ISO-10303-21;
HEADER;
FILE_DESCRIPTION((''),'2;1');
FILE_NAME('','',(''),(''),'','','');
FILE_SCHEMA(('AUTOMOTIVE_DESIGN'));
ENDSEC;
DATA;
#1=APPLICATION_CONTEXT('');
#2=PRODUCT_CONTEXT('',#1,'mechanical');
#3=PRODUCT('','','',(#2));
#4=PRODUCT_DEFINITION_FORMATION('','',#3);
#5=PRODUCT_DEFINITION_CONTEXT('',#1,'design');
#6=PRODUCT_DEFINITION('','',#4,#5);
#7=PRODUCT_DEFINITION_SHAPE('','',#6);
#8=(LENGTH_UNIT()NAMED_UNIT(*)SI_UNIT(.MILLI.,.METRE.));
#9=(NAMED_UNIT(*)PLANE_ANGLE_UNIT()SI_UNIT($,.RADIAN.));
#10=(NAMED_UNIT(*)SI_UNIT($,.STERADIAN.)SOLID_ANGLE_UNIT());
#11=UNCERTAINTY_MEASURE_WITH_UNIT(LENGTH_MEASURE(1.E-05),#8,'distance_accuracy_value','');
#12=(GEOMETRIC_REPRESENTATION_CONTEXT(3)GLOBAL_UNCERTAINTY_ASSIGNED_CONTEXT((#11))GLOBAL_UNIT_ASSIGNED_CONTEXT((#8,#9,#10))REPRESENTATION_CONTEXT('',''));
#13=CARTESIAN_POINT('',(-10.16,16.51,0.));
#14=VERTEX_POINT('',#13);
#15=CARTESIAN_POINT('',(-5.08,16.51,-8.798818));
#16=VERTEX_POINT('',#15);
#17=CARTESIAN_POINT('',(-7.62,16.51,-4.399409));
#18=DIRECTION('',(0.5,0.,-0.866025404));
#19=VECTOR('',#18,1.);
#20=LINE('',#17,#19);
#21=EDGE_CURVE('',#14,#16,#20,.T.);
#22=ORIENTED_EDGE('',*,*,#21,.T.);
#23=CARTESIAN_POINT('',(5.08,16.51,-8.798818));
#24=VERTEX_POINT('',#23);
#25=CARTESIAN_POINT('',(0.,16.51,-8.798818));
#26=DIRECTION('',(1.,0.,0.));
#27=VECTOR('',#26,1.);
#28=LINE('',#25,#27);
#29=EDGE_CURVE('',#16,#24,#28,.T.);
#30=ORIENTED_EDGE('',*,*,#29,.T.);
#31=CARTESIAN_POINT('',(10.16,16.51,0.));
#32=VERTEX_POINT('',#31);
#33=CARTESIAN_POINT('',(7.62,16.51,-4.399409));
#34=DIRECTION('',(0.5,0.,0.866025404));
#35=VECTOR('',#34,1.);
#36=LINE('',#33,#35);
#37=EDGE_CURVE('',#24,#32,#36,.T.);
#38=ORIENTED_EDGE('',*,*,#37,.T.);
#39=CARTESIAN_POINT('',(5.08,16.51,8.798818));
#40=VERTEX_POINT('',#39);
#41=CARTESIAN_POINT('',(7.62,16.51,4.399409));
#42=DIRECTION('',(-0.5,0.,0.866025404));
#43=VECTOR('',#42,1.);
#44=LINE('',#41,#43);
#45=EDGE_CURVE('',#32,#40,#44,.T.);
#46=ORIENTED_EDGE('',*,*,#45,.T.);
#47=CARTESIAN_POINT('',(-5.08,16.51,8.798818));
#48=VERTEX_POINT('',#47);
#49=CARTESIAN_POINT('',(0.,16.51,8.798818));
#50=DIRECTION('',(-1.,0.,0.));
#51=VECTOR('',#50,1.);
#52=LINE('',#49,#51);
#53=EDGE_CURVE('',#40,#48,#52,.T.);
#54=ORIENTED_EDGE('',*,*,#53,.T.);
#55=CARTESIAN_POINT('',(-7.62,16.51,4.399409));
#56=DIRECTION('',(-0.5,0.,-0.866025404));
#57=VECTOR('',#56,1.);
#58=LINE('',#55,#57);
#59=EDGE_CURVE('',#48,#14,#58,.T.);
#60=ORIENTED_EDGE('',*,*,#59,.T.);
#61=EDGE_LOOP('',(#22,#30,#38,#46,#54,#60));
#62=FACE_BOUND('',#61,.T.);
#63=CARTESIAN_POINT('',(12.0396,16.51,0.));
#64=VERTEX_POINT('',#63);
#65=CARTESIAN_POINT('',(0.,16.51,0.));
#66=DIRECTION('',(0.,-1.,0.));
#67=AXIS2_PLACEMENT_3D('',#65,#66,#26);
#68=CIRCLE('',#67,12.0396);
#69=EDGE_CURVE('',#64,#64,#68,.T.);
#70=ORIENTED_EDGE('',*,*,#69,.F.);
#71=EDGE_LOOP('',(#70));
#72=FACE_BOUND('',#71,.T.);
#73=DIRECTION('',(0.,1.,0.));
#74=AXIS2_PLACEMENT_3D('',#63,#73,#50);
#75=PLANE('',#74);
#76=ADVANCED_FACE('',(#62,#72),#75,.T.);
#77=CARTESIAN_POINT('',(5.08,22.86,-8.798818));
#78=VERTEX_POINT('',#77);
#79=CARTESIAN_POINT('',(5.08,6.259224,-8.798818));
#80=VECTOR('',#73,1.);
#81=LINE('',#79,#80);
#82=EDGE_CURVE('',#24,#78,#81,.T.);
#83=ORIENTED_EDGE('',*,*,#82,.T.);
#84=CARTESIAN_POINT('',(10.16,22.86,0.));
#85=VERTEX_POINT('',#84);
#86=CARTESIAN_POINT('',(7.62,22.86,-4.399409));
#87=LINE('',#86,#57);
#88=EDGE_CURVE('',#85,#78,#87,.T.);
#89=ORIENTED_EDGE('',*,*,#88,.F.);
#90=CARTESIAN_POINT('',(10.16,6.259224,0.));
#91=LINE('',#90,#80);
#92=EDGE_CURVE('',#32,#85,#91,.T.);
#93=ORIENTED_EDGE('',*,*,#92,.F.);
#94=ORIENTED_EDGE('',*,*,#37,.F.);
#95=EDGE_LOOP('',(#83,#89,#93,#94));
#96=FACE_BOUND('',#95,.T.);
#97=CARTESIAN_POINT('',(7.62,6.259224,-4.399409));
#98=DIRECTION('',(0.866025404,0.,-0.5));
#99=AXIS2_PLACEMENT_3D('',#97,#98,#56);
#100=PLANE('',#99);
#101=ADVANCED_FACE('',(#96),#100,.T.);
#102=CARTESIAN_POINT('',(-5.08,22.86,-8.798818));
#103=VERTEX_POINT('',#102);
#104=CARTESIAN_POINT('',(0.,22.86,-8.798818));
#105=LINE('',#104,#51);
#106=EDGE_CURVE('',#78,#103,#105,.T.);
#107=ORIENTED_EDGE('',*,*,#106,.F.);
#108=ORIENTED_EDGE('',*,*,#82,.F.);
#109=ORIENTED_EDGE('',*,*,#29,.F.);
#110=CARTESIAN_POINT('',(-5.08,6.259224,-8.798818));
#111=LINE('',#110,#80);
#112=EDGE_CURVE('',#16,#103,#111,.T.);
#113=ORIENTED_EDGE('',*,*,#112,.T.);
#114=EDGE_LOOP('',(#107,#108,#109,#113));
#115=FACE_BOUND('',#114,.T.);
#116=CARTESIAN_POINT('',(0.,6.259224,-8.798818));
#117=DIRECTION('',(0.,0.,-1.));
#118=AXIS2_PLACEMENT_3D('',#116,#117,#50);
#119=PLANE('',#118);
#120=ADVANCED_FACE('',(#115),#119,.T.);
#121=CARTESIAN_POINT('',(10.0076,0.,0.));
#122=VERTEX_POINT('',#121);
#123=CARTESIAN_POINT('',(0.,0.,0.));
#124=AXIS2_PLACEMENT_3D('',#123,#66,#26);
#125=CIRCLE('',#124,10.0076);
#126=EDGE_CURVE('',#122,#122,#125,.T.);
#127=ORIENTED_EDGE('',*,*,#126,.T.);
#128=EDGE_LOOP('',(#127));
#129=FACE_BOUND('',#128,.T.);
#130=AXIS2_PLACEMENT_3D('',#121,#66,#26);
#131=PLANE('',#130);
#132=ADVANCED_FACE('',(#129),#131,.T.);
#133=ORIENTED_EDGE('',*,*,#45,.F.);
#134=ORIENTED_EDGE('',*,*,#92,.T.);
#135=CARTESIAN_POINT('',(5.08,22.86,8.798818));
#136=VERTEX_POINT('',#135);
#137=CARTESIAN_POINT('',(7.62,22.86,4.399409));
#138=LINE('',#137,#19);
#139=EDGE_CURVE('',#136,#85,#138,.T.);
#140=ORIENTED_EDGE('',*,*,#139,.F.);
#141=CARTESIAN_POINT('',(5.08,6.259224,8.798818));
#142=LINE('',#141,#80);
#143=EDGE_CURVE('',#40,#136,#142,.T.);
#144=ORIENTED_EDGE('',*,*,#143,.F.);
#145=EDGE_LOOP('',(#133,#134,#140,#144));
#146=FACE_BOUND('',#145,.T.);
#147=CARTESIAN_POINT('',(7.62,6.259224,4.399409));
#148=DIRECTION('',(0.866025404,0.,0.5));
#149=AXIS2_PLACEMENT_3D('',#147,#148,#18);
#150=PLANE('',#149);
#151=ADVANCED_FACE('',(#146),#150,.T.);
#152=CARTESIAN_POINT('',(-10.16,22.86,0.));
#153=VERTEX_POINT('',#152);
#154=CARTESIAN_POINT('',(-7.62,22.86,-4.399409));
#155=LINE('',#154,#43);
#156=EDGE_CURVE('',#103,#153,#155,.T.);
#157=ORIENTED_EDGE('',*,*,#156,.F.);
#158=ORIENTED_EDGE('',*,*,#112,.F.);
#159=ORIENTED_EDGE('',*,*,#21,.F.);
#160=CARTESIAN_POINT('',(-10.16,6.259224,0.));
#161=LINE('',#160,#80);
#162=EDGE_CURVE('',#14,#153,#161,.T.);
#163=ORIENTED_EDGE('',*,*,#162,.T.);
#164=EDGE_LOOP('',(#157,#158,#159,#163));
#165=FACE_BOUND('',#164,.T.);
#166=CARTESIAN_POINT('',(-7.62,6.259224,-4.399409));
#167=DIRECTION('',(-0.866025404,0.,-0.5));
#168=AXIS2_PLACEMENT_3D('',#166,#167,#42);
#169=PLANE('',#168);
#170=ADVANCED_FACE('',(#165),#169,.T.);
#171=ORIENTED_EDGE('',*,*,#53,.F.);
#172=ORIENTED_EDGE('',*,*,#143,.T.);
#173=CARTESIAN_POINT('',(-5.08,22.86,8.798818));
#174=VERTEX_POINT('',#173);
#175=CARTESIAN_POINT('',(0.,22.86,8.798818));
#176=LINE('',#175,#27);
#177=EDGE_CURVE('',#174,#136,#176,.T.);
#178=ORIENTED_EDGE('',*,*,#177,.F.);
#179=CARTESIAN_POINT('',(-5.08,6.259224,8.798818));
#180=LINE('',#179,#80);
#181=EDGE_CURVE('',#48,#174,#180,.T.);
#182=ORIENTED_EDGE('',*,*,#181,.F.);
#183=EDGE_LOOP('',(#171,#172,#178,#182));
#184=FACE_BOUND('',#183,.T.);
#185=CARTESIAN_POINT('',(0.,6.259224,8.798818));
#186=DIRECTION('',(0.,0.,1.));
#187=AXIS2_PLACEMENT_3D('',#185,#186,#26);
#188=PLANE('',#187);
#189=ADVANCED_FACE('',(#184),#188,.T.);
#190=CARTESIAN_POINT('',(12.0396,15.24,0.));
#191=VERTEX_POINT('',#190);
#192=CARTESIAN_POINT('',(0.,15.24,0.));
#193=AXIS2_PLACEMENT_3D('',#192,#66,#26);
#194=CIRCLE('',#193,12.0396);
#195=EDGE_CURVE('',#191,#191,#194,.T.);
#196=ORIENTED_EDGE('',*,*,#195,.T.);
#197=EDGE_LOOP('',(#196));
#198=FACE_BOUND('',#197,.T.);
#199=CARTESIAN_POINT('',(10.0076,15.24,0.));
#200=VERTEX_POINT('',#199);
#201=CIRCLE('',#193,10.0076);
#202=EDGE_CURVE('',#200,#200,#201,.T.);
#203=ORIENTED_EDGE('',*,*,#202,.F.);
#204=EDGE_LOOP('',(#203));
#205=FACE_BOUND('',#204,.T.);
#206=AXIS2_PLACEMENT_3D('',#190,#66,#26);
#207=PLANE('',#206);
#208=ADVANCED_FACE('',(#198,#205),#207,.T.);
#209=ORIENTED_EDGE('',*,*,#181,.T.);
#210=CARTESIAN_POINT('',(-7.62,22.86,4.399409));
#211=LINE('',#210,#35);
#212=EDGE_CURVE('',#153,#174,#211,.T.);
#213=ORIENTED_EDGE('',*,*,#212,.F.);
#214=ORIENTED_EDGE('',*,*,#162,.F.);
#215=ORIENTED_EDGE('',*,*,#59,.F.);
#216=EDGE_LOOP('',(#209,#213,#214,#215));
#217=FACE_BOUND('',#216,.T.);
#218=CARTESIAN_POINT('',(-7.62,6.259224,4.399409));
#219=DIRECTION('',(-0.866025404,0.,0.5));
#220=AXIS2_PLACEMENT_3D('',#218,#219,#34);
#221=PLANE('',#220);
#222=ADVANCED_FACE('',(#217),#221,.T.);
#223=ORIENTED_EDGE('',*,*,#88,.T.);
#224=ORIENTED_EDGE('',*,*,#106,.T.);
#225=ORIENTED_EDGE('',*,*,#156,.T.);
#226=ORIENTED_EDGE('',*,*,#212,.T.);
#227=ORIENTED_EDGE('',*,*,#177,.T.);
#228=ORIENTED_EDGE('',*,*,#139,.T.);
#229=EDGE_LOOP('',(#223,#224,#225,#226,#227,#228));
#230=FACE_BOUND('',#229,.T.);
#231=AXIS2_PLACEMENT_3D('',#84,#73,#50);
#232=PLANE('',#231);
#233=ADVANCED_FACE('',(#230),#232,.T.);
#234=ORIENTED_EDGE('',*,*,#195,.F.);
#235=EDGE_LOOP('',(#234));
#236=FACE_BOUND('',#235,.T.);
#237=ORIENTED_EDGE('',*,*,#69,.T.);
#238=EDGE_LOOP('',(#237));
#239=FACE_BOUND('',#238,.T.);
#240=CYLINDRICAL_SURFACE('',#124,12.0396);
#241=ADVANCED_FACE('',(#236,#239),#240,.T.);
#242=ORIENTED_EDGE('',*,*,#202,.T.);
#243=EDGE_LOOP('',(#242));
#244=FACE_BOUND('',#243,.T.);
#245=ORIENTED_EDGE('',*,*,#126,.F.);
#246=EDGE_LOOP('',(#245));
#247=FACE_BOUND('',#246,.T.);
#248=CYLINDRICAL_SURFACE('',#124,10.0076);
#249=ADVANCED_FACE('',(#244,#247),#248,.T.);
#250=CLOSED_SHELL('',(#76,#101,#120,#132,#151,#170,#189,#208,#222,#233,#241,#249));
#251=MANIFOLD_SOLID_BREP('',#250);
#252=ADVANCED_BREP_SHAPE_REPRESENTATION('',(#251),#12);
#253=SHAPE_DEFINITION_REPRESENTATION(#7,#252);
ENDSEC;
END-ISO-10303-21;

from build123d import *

# Parameters (mm, degrees)
CUT_EXTRUDE1_START = -6.35
CUT_EXTRUDE1_DEPTH = 6.35


with BuildPart() as part:
    # Sketch1 → Revolve1 (revolve)
    with BuildSketch(Plane.XY):
        Polygon((0, 0), (0, 15.24), (0, 22.86), (10.16, 22.86), (10.16, 16.51), (12.0396, 16.51), (12.0396, 15.24), (10.0076, 15.24), (10.0076, 0), align=None)
    revolve(axis=Axis((0, 0, 0), (0, 1, 0)))

    # Sketch2 → Cut-Extrude1 (cut)
    with BuildSketch(Plane(origin=(0, 22.86, 0), x_dir=(1, 0, 0), z_dir=(0, 1, 0)).offset(CUT_EXTRUDE1_START)):
        with BuildLine():
            ThreePointArc((5.08, 8.798818102), (0, 10.16), (-5.08, 8.798818102))
            Line((-5.08, 8.798818102), (5.08, 8.798818102))
        make_face()
        with BuildLine():
            Line((-10.16, 0), (-5.08, 8.798818102))
            ThreePointArc((-5.08, 8.798818102), (-8.798818102, 5.08), (-10.16, 0))
        make_face()
        with BuildLine():
            Line((-5.08, -8.798818102), (-10.16, 0))
            ThreePointArc((-10.16, 0), (-8.798818102, -5.08), (-5.08, -8.798818102))
        make_face()
        with BuildLine():
            ThreePointArc((10.16, 0), (8.798818102, 5.08), (5.08, 8.798818102))
            Line((5.08, 8.798818102), (10.16, 0))
        make_face()
        with BuildLine():
            Line((5.08, -8.798818102), (-5.08, -8.798818102))
            ThreePointArc((-5.08, -8.798818102), (0, -10.16), (5.08, -8.798818102))
        make_face()
        with BuildLine():
            ThreePointArc((5.08, -8.798818102), (8.798818102, -5.08), (10.16, 0))
            Line((10.16, 0), (5.08, -8.798818102))
        make_face()
    extrude(amount=CUT_EXTRUDE1_DEPTH, mode=Mode.SUBTRACT)


solid = part.part
